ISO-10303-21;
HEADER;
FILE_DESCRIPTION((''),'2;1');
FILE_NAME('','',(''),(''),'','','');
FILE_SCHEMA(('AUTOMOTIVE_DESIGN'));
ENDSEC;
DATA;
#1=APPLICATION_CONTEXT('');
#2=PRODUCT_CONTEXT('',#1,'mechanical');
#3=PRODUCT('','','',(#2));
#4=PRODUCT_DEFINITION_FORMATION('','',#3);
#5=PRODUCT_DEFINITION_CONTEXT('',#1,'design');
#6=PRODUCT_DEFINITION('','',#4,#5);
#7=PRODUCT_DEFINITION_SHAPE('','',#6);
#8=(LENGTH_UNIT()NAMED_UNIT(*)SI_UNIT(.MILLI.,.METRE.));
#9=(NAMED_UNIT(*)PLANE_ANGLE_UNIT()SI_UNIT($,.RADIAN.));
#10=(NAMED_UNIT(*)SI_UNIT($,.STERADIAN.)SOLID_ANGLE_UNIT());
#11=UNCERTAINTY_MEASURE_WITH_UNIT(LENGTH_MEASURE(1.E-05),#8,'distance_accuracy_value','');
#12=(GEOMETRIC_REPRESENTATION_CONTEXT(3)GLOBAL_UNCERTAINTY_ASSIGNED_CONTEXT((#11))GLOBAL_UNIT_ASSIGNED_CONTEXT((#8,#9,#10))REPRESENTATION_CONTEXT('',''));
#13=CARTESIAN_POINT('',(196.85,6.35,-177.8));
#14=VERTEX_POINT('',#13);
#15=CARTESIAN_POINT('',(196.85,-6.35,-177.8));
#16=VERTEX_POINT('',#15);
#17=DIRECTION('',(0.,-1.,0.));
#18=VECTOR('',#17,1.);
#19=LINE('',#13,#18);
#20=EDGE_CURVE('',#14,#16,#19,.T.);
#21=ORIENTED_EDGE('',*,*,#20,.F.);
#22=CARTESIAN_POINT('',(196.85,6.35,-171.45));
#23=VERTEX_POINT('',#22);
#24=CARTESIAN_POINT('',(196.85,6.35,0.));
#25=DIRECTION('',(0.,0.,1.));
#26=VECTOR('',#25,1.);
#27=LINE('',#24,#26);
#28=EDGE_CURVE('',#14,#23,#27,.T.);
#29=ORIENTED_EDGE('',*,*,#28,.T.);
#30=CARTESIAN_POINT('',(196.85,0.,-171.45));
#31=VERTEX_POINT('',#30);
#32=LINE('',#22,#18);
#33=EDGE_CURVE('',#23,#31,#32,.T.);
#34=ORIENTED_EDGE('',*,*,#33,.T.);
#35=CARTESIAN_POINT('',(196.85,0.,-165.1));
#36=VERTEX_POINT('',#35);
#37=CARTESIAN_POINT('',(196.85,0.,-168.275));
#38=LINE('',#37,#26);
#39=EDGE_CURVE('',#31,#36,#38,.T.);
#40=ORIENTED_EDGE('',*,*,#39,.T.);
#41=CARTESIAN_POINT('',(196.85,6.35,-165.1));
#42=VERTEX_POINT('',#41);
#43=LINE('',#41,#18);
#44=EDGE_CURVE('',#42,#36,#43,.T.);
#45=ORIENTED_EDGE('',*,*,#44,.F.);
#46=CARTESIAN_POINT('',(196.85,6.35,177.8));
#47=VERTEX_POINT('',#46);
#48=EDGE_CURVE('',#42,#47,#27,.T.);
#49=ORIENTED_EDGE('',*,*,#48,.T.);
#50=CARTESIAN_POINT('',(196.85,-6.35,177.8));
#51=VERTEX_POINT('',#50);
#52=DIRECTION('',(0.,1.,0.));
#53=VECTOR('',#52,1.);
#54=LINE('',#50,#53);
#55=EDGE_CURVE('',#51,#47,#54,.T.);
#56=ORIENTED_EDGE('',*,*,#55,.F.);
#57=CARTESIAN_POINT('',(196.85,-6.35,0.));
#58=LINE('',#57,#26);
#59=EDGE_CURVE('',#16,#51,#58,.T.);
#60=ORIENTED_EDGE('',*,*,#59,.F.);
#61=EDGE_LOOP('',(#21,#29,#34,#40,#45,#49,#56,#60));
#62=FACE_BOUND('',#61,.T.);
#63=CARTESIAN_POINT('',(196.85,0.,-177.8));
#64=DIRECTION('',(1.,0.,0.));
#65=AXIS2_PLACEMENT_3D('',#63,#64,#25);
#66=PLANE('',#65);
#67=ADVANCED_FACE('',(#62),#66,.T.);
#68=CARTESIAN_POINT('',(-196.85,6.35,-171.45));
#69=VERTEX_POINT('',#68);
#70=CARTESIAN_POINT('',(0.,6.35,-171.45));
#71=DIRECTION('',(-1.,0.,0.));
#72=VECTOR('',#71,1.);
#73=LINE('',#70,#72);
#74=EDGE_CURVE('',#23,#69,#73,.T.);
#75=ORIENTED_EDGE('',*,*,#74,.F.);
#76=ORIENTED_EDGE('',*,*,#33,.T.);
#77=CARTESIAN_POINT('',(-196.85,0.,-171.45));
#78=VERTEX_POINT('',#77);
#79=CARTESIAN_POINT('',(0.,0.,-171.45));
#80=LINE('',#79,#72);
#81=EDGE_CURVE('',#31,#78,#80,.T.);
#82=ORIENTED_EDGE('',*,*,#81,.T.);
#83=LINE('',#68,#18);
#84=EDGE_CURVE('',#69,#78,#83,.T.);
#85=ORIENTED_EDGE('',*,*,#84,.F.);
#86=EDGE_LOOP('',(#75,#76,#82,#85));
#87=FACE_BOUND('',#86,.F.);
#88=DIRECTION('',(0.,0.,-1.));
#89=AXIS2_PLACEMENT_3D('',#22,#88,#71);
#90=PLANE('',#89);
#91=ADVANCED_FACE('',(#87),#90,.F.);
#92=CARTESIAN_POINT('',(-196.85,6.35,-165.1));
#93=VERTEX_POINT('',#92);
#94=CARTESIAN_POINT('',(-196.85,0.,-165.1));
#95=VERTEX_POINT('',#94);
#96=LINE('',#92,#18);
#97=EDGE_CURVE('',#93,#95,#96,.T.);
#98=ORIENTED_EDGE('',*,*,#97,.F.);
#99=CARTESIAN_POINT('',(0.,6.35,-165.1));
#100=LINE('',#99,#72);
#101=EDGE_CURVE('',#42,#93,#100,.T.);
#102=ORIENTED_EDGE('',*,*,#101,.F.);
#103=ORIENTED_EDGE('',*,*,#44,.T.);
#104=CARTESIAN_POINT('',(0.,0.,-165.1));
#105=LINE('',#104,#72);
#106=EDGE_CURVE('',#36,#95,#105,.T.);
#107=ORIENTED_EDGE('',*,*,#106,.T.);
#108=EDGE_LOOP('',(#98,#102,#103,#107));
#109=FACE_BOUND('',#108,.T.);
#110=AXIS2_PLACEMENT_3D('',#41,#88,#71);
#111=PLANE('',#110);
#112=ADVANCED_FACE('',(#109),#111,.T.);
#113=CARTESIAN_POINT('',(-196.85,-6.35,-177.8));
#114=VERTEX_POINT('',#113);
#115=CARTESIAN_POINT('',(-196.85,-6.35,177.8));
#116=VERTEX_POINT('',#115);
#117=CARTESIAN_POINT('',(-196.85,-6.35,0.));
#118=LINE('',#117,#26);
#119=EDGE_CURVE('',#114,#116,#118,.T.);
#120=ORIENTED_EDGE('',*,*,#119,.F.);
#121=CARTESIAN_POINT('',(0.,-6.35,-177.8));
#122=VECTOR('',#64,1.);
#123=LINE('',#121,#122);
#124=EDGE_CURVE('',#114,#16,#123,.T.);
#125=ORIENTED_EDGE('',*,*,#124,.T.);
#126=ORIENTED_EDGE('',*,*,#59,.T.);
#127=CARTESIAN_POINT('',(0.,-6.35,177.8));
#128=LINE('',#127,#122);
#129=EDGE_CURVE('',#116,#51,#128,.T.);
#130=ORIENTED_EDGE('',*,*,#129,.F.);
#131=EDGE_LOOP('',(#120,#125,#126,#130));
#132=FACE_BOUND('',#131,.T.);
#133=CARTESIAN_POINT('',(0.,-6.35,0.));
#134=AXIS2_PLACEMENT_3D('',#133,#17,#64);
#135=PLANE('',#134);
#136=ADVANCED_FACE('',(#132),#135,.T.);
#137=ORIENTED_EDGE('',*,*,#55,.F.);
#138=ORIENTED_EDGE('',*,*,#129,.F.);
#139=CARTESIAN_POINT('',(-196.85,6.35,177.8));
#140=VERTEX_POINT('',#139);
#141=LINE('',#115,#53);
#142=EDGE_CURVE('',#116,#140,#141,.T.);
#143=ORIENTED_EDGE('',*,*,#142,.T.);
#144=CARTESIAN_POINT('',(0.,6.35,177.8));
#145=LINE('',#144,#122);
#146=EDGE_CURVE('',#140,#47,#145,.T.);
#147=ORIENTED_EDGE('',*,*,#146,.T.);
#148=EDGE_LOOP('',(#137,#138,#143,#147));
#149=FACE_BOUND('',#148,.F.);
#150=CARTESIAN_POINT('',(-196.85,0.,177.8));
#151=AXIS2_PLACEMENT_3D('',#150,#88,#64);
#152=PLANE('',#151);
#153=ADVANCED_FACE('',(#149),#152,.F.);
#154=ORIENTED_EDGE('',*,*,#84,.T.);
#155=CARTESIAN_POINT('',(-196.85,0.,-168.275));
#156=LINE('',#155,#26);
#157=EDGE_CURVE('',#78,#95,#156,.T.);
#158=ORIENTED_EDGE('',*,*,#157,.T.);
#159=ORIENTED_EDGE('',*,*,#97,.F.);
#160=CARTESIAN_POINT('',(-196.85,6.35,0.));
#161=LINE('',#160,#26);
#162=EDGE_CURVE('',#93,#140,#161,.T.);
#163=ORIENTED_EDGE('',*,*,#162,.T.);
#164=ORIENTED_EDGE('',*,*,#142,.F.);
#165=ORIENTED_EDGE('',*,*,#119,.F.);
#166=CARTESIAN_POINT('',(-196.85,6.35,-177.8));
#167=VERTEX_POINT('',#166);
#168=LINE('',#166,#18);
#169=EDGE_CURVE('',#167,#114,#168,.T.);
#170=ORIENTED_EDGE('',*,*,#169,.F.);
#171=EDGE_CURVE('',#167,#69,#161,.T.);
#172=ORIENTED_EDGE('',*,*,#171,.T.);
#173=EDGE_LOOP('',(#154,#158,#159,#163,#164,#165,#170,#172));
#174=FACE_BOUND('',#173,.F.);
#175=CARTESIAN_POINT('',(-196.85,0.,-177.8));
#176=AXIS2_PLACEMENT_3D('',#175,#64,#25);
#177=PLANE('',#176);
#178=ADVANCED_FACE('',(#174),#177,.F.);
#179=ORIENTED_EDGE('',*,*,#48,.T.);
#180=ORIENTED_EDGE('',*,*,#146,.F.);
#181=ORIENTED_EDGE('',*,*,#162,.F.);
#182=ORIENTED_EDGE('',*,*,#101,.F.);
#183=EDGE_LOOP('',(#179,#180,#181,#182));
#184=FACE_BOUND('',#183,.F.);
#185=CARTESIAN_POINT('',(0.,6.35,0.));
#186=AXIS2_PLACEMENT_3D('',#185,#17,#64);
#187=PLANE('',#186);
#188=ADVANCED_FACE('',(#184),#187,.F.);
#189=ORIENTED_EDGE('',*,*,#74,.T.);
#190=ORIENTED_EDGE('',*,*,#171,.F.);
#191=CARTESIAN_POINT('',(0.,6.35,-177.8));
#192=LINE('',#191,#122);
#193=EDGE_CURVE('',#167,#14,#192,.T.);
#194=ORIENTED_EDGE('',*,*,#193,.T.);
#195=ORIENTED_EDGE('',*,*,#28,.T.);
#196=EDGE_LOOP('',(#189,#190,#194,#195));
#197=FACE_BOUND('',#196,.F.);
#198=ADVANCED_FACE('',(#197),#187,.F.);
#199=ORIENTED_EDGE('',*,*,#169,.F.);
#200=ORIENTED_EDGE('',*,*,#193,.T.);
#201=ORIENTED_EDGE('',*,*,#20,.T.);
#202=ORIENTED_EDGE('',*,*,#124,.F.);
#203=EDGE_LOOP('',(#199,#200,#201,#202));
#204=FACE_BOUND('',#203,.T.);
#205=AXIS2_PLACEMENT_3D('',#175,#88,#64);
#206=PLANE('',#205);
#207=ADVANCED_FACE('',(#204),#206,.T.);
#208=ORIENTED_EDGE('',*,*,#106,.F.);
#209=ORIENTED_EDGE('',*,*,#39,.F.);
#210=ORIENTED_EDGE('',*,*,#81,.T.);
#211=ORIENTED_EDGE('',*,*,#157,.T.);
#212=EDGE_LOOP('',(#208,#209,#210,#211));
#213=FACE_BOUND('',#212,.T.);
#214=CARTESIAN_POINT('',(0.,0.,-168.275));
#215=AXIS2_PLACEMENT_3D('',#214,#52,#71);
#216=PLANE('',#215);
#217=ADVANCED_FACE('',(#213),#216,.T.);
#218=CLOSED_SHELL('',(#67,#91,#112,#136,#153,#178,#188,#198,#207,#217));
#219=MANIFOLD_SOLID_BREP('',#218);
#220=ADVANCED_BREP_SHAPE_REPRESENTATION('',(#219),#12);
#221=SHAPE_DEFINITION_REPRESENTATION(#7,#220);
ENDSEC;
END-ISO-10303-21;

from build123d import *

# Parameters (mm, degrees)
F0_W     = 393.7
F0_H     = 355.6
F1_DEPTH = 6.35
F2_W     = 393.7
F2_H     = 6.35
F3_DEPTH = 6.35


with BuildPart() as f1:
    # F0 (on Front) → F1 (new body, symmetric)
    with BuildSketch(Plane.XZ):
        Rectangle(F0_W, F0_H)
    extrude(amount=F1_DEPTH, both=True)

    # F2 (on face) → F3 (cut)
    with BuildSketch(Plane(origin=(0, 6.35, 0), x_dir=(-1, 0, 0), z_dir=(0, 1, 0))):
        with Locations((0, -168.275)):
            Rectangle(F2_W, F2_H)
    extrude(amount=-F3_DEPTH, mode=Mode.SUBTRACT)


solid = f1.part
